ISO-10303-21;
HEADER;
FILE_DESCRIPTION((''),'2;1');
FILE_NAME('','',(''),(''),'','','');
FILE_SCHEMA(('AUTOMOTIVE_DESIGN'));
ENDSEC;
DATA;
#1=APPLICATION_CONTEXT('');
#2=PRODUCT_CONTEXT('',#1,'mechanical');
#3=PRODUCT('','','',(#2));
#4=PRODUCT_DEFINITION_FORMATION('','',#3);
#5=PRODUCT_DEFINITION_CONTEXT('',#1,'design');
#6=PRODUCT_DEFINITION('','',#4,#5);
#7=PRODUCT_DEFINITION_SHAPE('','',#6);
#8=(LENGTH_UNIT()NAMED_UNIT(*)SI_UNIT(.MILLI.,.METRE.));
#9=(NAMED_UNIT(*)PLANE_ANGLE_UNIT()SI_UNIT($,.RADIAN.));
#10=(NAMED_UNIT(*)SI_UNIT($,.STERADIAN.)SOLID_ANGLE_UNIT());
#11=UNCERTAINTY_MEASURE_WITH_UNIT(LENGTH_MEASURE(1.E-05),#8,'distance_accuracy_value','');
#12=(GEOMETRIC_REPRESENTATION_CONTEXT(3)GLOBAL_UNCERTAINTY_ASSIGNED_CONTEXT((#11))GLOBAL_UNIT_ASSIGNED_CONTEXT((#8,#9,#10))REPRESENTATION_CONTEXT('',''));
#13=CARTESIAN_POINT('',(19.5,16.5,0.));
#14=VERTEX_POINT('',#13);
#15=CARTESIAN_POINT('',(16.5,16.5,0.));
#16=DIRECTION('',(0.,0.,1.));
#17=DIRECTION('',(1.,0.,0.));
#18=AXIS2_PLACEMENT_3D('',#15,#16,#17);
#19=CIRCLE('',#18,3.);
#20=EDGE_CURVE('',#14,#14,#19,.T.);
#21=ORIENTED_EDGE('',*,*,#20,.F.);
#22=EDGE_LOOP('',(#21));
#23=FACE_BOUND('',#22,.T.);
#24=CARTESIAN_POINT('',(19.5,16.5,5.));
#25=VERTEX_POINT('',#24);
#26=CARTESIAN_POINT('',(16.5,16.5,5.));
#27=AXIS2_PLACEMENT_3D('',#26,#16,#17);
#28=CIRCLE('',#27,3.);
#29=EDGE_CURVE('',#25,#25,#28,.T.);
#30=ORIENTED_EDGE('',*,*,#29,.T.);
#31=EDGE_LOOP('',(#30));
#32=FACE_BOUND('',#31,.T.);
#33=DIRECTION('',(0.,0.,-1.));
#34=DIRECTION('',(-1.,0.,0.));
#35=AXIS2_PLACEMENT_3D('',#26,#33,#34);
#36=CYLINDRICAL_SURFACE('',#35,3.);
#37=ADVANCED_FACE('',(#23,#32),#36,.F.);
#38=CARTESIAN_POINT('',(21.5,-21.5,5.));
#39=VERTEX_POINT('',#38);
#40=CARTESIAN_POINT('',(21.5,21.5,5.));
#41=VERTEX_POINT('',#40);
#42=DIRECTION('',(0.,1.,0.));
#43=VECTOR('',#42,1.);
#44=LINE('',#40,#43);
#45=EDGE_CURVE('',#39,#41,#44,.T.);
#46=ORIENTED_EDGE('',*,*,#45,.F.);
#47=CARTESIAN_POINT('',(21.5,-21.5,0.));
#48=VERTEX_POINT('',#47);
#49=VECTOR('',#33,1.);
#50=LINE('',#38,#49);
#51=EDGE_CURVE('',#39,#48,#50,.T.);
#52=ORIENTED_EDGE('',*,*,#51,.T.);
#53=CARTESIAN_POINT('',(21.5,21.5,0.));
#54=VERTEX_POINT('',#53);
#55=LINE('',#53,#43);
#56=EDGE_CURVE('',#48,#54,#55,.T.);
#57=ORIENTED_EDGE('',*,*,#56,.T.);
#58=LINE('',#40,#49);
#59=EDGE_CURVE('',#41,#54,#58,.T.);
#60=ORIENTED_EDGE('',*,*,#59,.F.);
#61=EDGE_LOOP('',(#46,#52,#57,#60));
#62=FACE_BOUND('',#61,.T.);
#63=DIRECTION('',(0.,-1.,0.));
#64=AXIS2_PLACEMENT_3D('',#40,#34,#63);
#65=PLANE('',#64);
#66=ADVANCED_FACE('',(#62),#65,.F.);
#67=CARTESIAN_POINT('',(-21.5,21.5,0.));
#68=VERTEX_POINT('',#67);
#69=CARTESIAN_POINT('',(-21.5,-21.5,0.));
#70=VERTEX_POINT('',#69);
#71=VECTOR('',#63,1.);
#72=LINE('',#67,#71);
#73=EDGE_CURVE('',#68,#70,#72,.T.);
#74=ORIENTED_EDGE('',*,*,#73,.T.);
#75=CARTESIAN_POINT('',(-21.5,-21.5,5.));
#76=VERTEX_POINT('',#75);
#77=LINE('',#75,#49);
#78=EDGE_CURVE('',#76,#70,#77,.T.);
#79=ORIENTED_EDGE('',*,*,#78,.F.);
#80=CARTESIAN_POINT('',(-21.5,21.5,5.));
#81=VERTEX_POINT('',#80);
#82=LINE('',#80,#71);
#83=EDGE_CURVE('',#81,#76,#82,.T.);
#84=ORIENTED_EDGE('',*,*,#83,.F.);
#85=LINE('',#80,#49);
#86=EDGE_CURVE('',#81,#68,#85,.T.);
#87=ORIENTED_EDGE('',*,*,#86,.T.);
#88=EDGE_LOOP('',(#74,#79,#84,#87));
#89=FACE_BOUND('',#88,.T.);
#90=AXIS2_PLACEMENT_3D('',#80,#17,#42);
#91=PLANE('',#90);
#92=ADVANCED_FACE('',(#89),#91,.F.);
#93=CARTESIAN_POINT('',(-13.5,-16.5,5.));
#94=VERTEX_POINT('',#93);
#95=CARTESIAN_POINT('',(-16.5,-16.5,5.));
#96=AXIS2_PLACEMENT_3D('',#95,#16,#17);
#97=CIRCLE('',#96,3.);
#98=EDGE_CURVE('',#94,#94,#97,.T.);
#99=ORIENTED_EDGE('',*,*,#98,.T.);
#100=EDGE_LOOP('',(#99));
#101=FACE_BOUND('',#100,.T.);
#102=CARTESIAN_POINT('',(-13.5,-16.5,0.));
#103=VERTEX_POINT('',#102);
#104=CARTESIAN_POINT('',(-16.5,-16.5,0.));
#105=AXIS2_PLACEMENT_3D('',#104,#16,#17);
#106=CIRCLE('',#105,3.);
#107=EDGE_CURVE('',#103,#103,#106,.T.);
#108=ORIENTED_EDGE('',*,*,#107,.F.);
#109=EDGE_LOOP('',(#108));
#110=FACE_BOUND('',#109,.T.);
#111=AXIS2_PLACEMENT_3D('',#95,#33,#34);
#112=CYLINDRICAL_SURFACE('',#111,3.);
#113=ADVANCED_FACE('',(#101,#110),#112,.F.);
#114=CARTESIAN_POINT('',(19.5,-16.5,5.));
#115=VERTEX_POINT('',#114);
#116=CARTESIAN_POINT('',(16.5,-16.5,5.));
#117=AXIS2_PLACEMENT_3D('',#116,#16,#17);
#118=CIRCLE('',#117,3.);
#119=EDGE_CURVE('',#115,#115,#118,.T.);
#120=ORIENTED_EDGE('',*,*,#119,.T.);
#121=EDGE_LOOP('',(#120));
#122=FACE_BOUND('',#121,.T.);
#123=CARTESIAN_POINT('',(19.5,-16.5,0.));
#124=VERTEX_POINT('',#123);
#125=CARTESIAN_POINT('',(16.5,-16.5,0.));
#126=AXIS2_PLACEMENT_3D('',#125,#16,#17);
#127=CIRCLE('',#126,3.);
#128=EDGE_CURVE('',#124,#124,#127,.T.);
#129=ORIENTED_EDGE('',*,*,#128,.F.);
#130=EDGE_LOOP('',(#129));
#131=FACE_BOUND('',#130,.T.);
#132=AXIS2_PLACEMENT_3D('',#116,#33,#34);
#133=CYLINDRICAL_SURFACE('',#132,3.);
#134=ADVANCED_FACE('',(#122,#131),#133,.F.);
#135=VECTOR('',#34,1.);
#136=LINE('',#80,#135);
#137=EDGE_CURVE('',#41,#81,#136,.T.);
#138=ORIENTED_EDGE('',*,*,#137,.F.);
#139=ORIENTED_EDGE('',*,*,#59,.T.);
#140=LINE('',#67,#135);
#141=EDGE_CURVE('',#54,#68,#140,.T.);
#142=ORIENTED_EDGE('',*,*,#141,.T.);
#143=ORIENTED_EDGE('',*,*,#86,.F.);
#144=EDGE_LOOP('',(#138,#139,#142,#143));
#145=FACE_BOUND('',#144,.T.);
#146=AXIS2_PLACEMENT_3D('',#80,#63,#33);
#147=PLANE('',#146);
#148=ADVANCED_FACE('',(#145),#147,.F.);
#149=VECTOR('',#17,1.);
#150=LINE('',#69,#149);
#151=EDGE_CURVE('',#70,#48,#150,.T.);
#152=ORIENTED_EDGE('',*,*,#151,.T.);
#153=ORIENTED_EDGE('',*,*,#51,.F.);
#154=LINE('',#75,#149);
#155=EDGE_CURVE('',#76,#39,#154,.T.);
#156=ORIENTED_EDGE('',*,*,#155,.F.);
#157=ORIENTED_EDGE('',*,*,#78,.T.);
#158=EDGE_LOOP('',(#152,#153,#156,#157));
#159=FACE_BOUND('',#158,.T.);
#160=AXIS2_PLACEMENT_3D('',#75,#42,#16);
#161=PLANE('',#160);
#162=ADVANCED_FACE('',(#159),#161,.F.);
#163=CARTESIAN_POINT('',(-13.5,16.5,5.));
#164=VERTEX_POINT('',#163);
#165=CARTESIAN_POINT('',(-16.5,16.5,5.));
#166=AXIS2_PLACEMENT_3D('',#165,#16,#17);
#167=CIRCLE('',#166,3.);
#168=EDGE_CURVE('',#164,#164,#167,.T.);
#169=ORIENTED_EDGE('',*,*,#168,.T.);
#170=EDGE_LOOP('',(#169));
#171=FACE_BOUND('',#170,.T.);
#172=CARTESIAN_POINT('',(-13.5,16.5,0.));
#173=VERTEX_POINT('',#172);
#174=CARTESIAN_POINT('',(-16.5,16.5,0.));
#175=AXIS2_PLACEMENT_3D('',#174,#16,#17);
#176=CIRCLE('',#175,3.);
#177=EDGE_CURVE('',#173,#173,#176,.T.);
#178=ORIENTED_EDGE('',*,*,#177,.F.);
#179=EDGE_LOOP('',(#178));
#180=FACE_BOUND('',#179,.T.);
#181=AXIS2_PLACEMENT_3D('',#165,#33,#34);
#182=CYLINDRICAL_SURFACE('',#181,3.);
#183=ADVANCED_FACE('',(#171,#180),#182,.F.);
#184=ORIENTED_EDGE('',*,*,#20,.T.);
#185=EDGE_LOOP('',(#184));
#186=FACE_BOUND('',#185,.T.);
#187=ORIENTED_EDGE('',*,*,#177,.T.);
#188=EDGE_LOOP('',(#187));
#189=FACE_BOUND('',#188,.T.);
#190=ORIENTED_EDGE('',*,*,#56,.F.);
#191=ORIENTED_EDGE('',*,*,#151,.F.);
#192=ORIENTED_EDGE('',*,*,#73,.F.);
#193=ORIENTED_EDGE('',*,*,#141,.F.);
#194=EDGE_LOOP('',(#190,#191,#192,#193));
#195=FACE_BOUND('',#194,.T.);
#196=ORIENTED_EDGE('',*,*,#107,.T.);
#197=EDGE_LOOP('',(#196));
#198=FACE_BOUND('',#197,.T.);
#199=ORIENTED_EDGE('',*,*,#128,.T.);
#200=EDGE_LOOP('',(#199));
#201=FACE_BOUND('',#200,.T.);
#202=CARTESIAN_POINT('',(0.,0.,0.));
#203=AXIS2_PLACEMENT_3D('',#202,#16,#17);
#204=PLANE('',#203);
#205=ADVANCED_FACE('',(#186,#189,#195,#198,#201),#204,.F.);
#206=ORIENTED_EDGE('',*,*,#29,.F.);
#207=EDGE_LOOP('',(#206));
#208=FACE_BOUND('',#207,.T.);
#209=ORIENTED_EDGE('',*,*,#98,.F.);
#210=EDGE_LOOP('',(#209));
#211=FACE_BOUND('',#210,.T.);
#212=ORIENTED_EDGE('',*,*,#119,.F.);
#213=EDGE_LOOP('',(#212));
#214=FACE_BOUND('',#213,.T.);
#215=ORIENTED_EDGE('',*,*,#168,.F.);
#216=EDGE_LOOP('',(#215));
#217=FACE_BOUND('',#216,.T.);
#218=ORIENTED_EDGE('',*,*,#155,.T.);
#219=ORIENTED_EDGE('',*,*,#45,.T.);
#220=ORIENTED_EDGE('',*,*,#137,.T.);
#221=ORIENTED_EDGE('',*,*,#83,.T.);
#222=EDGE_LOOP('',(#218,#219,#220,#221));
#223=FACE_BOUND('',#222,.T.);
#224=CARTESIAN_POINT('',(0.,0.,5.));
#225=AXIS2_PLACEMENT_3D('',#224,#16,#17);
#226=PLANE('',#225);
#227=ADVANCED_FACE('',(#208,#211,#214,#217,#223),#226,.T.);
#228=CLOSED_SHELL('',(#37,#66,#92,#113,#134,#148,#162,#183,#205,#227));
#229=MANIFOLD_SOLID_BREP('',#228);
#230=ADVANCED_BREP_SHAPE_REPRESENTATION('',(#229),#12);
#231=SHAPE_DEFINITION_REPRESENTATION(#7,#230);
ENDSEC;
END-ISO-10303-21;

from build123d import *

# Parameters (mm, degrees)
SKETCH_1_W      = 43
SKETCH_1_H      = 43
SKETCH_1_R      = 3
EXTRUDE_1_DEPTH = 5


with BuildPart() as part:
    # 草图1 → 凸台-拉伸1 (new body)
    with BuildSketch(Plane.XY):
        Rectangle(SKETCH_1_W, SKETCH_1_H)
        with Locations((-16.5, -16.5)):
            Circle(SKETCH_1_R, mode=Mode.SUBTRACT)
        with Locations((-16.5, 16.5)):
            Circle(SKETCH_1_R, mode=Mode.SUBTRACT)
        with Locations((16.5, 16.5)):
            Circle(SKETCH_1_R, mode=Mode.SUBTRACT)
        with Locations((16.5, -16.5)):
            Circle(SKETCH_1_R, mode=Mode.SUBTRACT)
    extrude(amount=EXTRUDE_1_DEPTH)


solid = part.part
